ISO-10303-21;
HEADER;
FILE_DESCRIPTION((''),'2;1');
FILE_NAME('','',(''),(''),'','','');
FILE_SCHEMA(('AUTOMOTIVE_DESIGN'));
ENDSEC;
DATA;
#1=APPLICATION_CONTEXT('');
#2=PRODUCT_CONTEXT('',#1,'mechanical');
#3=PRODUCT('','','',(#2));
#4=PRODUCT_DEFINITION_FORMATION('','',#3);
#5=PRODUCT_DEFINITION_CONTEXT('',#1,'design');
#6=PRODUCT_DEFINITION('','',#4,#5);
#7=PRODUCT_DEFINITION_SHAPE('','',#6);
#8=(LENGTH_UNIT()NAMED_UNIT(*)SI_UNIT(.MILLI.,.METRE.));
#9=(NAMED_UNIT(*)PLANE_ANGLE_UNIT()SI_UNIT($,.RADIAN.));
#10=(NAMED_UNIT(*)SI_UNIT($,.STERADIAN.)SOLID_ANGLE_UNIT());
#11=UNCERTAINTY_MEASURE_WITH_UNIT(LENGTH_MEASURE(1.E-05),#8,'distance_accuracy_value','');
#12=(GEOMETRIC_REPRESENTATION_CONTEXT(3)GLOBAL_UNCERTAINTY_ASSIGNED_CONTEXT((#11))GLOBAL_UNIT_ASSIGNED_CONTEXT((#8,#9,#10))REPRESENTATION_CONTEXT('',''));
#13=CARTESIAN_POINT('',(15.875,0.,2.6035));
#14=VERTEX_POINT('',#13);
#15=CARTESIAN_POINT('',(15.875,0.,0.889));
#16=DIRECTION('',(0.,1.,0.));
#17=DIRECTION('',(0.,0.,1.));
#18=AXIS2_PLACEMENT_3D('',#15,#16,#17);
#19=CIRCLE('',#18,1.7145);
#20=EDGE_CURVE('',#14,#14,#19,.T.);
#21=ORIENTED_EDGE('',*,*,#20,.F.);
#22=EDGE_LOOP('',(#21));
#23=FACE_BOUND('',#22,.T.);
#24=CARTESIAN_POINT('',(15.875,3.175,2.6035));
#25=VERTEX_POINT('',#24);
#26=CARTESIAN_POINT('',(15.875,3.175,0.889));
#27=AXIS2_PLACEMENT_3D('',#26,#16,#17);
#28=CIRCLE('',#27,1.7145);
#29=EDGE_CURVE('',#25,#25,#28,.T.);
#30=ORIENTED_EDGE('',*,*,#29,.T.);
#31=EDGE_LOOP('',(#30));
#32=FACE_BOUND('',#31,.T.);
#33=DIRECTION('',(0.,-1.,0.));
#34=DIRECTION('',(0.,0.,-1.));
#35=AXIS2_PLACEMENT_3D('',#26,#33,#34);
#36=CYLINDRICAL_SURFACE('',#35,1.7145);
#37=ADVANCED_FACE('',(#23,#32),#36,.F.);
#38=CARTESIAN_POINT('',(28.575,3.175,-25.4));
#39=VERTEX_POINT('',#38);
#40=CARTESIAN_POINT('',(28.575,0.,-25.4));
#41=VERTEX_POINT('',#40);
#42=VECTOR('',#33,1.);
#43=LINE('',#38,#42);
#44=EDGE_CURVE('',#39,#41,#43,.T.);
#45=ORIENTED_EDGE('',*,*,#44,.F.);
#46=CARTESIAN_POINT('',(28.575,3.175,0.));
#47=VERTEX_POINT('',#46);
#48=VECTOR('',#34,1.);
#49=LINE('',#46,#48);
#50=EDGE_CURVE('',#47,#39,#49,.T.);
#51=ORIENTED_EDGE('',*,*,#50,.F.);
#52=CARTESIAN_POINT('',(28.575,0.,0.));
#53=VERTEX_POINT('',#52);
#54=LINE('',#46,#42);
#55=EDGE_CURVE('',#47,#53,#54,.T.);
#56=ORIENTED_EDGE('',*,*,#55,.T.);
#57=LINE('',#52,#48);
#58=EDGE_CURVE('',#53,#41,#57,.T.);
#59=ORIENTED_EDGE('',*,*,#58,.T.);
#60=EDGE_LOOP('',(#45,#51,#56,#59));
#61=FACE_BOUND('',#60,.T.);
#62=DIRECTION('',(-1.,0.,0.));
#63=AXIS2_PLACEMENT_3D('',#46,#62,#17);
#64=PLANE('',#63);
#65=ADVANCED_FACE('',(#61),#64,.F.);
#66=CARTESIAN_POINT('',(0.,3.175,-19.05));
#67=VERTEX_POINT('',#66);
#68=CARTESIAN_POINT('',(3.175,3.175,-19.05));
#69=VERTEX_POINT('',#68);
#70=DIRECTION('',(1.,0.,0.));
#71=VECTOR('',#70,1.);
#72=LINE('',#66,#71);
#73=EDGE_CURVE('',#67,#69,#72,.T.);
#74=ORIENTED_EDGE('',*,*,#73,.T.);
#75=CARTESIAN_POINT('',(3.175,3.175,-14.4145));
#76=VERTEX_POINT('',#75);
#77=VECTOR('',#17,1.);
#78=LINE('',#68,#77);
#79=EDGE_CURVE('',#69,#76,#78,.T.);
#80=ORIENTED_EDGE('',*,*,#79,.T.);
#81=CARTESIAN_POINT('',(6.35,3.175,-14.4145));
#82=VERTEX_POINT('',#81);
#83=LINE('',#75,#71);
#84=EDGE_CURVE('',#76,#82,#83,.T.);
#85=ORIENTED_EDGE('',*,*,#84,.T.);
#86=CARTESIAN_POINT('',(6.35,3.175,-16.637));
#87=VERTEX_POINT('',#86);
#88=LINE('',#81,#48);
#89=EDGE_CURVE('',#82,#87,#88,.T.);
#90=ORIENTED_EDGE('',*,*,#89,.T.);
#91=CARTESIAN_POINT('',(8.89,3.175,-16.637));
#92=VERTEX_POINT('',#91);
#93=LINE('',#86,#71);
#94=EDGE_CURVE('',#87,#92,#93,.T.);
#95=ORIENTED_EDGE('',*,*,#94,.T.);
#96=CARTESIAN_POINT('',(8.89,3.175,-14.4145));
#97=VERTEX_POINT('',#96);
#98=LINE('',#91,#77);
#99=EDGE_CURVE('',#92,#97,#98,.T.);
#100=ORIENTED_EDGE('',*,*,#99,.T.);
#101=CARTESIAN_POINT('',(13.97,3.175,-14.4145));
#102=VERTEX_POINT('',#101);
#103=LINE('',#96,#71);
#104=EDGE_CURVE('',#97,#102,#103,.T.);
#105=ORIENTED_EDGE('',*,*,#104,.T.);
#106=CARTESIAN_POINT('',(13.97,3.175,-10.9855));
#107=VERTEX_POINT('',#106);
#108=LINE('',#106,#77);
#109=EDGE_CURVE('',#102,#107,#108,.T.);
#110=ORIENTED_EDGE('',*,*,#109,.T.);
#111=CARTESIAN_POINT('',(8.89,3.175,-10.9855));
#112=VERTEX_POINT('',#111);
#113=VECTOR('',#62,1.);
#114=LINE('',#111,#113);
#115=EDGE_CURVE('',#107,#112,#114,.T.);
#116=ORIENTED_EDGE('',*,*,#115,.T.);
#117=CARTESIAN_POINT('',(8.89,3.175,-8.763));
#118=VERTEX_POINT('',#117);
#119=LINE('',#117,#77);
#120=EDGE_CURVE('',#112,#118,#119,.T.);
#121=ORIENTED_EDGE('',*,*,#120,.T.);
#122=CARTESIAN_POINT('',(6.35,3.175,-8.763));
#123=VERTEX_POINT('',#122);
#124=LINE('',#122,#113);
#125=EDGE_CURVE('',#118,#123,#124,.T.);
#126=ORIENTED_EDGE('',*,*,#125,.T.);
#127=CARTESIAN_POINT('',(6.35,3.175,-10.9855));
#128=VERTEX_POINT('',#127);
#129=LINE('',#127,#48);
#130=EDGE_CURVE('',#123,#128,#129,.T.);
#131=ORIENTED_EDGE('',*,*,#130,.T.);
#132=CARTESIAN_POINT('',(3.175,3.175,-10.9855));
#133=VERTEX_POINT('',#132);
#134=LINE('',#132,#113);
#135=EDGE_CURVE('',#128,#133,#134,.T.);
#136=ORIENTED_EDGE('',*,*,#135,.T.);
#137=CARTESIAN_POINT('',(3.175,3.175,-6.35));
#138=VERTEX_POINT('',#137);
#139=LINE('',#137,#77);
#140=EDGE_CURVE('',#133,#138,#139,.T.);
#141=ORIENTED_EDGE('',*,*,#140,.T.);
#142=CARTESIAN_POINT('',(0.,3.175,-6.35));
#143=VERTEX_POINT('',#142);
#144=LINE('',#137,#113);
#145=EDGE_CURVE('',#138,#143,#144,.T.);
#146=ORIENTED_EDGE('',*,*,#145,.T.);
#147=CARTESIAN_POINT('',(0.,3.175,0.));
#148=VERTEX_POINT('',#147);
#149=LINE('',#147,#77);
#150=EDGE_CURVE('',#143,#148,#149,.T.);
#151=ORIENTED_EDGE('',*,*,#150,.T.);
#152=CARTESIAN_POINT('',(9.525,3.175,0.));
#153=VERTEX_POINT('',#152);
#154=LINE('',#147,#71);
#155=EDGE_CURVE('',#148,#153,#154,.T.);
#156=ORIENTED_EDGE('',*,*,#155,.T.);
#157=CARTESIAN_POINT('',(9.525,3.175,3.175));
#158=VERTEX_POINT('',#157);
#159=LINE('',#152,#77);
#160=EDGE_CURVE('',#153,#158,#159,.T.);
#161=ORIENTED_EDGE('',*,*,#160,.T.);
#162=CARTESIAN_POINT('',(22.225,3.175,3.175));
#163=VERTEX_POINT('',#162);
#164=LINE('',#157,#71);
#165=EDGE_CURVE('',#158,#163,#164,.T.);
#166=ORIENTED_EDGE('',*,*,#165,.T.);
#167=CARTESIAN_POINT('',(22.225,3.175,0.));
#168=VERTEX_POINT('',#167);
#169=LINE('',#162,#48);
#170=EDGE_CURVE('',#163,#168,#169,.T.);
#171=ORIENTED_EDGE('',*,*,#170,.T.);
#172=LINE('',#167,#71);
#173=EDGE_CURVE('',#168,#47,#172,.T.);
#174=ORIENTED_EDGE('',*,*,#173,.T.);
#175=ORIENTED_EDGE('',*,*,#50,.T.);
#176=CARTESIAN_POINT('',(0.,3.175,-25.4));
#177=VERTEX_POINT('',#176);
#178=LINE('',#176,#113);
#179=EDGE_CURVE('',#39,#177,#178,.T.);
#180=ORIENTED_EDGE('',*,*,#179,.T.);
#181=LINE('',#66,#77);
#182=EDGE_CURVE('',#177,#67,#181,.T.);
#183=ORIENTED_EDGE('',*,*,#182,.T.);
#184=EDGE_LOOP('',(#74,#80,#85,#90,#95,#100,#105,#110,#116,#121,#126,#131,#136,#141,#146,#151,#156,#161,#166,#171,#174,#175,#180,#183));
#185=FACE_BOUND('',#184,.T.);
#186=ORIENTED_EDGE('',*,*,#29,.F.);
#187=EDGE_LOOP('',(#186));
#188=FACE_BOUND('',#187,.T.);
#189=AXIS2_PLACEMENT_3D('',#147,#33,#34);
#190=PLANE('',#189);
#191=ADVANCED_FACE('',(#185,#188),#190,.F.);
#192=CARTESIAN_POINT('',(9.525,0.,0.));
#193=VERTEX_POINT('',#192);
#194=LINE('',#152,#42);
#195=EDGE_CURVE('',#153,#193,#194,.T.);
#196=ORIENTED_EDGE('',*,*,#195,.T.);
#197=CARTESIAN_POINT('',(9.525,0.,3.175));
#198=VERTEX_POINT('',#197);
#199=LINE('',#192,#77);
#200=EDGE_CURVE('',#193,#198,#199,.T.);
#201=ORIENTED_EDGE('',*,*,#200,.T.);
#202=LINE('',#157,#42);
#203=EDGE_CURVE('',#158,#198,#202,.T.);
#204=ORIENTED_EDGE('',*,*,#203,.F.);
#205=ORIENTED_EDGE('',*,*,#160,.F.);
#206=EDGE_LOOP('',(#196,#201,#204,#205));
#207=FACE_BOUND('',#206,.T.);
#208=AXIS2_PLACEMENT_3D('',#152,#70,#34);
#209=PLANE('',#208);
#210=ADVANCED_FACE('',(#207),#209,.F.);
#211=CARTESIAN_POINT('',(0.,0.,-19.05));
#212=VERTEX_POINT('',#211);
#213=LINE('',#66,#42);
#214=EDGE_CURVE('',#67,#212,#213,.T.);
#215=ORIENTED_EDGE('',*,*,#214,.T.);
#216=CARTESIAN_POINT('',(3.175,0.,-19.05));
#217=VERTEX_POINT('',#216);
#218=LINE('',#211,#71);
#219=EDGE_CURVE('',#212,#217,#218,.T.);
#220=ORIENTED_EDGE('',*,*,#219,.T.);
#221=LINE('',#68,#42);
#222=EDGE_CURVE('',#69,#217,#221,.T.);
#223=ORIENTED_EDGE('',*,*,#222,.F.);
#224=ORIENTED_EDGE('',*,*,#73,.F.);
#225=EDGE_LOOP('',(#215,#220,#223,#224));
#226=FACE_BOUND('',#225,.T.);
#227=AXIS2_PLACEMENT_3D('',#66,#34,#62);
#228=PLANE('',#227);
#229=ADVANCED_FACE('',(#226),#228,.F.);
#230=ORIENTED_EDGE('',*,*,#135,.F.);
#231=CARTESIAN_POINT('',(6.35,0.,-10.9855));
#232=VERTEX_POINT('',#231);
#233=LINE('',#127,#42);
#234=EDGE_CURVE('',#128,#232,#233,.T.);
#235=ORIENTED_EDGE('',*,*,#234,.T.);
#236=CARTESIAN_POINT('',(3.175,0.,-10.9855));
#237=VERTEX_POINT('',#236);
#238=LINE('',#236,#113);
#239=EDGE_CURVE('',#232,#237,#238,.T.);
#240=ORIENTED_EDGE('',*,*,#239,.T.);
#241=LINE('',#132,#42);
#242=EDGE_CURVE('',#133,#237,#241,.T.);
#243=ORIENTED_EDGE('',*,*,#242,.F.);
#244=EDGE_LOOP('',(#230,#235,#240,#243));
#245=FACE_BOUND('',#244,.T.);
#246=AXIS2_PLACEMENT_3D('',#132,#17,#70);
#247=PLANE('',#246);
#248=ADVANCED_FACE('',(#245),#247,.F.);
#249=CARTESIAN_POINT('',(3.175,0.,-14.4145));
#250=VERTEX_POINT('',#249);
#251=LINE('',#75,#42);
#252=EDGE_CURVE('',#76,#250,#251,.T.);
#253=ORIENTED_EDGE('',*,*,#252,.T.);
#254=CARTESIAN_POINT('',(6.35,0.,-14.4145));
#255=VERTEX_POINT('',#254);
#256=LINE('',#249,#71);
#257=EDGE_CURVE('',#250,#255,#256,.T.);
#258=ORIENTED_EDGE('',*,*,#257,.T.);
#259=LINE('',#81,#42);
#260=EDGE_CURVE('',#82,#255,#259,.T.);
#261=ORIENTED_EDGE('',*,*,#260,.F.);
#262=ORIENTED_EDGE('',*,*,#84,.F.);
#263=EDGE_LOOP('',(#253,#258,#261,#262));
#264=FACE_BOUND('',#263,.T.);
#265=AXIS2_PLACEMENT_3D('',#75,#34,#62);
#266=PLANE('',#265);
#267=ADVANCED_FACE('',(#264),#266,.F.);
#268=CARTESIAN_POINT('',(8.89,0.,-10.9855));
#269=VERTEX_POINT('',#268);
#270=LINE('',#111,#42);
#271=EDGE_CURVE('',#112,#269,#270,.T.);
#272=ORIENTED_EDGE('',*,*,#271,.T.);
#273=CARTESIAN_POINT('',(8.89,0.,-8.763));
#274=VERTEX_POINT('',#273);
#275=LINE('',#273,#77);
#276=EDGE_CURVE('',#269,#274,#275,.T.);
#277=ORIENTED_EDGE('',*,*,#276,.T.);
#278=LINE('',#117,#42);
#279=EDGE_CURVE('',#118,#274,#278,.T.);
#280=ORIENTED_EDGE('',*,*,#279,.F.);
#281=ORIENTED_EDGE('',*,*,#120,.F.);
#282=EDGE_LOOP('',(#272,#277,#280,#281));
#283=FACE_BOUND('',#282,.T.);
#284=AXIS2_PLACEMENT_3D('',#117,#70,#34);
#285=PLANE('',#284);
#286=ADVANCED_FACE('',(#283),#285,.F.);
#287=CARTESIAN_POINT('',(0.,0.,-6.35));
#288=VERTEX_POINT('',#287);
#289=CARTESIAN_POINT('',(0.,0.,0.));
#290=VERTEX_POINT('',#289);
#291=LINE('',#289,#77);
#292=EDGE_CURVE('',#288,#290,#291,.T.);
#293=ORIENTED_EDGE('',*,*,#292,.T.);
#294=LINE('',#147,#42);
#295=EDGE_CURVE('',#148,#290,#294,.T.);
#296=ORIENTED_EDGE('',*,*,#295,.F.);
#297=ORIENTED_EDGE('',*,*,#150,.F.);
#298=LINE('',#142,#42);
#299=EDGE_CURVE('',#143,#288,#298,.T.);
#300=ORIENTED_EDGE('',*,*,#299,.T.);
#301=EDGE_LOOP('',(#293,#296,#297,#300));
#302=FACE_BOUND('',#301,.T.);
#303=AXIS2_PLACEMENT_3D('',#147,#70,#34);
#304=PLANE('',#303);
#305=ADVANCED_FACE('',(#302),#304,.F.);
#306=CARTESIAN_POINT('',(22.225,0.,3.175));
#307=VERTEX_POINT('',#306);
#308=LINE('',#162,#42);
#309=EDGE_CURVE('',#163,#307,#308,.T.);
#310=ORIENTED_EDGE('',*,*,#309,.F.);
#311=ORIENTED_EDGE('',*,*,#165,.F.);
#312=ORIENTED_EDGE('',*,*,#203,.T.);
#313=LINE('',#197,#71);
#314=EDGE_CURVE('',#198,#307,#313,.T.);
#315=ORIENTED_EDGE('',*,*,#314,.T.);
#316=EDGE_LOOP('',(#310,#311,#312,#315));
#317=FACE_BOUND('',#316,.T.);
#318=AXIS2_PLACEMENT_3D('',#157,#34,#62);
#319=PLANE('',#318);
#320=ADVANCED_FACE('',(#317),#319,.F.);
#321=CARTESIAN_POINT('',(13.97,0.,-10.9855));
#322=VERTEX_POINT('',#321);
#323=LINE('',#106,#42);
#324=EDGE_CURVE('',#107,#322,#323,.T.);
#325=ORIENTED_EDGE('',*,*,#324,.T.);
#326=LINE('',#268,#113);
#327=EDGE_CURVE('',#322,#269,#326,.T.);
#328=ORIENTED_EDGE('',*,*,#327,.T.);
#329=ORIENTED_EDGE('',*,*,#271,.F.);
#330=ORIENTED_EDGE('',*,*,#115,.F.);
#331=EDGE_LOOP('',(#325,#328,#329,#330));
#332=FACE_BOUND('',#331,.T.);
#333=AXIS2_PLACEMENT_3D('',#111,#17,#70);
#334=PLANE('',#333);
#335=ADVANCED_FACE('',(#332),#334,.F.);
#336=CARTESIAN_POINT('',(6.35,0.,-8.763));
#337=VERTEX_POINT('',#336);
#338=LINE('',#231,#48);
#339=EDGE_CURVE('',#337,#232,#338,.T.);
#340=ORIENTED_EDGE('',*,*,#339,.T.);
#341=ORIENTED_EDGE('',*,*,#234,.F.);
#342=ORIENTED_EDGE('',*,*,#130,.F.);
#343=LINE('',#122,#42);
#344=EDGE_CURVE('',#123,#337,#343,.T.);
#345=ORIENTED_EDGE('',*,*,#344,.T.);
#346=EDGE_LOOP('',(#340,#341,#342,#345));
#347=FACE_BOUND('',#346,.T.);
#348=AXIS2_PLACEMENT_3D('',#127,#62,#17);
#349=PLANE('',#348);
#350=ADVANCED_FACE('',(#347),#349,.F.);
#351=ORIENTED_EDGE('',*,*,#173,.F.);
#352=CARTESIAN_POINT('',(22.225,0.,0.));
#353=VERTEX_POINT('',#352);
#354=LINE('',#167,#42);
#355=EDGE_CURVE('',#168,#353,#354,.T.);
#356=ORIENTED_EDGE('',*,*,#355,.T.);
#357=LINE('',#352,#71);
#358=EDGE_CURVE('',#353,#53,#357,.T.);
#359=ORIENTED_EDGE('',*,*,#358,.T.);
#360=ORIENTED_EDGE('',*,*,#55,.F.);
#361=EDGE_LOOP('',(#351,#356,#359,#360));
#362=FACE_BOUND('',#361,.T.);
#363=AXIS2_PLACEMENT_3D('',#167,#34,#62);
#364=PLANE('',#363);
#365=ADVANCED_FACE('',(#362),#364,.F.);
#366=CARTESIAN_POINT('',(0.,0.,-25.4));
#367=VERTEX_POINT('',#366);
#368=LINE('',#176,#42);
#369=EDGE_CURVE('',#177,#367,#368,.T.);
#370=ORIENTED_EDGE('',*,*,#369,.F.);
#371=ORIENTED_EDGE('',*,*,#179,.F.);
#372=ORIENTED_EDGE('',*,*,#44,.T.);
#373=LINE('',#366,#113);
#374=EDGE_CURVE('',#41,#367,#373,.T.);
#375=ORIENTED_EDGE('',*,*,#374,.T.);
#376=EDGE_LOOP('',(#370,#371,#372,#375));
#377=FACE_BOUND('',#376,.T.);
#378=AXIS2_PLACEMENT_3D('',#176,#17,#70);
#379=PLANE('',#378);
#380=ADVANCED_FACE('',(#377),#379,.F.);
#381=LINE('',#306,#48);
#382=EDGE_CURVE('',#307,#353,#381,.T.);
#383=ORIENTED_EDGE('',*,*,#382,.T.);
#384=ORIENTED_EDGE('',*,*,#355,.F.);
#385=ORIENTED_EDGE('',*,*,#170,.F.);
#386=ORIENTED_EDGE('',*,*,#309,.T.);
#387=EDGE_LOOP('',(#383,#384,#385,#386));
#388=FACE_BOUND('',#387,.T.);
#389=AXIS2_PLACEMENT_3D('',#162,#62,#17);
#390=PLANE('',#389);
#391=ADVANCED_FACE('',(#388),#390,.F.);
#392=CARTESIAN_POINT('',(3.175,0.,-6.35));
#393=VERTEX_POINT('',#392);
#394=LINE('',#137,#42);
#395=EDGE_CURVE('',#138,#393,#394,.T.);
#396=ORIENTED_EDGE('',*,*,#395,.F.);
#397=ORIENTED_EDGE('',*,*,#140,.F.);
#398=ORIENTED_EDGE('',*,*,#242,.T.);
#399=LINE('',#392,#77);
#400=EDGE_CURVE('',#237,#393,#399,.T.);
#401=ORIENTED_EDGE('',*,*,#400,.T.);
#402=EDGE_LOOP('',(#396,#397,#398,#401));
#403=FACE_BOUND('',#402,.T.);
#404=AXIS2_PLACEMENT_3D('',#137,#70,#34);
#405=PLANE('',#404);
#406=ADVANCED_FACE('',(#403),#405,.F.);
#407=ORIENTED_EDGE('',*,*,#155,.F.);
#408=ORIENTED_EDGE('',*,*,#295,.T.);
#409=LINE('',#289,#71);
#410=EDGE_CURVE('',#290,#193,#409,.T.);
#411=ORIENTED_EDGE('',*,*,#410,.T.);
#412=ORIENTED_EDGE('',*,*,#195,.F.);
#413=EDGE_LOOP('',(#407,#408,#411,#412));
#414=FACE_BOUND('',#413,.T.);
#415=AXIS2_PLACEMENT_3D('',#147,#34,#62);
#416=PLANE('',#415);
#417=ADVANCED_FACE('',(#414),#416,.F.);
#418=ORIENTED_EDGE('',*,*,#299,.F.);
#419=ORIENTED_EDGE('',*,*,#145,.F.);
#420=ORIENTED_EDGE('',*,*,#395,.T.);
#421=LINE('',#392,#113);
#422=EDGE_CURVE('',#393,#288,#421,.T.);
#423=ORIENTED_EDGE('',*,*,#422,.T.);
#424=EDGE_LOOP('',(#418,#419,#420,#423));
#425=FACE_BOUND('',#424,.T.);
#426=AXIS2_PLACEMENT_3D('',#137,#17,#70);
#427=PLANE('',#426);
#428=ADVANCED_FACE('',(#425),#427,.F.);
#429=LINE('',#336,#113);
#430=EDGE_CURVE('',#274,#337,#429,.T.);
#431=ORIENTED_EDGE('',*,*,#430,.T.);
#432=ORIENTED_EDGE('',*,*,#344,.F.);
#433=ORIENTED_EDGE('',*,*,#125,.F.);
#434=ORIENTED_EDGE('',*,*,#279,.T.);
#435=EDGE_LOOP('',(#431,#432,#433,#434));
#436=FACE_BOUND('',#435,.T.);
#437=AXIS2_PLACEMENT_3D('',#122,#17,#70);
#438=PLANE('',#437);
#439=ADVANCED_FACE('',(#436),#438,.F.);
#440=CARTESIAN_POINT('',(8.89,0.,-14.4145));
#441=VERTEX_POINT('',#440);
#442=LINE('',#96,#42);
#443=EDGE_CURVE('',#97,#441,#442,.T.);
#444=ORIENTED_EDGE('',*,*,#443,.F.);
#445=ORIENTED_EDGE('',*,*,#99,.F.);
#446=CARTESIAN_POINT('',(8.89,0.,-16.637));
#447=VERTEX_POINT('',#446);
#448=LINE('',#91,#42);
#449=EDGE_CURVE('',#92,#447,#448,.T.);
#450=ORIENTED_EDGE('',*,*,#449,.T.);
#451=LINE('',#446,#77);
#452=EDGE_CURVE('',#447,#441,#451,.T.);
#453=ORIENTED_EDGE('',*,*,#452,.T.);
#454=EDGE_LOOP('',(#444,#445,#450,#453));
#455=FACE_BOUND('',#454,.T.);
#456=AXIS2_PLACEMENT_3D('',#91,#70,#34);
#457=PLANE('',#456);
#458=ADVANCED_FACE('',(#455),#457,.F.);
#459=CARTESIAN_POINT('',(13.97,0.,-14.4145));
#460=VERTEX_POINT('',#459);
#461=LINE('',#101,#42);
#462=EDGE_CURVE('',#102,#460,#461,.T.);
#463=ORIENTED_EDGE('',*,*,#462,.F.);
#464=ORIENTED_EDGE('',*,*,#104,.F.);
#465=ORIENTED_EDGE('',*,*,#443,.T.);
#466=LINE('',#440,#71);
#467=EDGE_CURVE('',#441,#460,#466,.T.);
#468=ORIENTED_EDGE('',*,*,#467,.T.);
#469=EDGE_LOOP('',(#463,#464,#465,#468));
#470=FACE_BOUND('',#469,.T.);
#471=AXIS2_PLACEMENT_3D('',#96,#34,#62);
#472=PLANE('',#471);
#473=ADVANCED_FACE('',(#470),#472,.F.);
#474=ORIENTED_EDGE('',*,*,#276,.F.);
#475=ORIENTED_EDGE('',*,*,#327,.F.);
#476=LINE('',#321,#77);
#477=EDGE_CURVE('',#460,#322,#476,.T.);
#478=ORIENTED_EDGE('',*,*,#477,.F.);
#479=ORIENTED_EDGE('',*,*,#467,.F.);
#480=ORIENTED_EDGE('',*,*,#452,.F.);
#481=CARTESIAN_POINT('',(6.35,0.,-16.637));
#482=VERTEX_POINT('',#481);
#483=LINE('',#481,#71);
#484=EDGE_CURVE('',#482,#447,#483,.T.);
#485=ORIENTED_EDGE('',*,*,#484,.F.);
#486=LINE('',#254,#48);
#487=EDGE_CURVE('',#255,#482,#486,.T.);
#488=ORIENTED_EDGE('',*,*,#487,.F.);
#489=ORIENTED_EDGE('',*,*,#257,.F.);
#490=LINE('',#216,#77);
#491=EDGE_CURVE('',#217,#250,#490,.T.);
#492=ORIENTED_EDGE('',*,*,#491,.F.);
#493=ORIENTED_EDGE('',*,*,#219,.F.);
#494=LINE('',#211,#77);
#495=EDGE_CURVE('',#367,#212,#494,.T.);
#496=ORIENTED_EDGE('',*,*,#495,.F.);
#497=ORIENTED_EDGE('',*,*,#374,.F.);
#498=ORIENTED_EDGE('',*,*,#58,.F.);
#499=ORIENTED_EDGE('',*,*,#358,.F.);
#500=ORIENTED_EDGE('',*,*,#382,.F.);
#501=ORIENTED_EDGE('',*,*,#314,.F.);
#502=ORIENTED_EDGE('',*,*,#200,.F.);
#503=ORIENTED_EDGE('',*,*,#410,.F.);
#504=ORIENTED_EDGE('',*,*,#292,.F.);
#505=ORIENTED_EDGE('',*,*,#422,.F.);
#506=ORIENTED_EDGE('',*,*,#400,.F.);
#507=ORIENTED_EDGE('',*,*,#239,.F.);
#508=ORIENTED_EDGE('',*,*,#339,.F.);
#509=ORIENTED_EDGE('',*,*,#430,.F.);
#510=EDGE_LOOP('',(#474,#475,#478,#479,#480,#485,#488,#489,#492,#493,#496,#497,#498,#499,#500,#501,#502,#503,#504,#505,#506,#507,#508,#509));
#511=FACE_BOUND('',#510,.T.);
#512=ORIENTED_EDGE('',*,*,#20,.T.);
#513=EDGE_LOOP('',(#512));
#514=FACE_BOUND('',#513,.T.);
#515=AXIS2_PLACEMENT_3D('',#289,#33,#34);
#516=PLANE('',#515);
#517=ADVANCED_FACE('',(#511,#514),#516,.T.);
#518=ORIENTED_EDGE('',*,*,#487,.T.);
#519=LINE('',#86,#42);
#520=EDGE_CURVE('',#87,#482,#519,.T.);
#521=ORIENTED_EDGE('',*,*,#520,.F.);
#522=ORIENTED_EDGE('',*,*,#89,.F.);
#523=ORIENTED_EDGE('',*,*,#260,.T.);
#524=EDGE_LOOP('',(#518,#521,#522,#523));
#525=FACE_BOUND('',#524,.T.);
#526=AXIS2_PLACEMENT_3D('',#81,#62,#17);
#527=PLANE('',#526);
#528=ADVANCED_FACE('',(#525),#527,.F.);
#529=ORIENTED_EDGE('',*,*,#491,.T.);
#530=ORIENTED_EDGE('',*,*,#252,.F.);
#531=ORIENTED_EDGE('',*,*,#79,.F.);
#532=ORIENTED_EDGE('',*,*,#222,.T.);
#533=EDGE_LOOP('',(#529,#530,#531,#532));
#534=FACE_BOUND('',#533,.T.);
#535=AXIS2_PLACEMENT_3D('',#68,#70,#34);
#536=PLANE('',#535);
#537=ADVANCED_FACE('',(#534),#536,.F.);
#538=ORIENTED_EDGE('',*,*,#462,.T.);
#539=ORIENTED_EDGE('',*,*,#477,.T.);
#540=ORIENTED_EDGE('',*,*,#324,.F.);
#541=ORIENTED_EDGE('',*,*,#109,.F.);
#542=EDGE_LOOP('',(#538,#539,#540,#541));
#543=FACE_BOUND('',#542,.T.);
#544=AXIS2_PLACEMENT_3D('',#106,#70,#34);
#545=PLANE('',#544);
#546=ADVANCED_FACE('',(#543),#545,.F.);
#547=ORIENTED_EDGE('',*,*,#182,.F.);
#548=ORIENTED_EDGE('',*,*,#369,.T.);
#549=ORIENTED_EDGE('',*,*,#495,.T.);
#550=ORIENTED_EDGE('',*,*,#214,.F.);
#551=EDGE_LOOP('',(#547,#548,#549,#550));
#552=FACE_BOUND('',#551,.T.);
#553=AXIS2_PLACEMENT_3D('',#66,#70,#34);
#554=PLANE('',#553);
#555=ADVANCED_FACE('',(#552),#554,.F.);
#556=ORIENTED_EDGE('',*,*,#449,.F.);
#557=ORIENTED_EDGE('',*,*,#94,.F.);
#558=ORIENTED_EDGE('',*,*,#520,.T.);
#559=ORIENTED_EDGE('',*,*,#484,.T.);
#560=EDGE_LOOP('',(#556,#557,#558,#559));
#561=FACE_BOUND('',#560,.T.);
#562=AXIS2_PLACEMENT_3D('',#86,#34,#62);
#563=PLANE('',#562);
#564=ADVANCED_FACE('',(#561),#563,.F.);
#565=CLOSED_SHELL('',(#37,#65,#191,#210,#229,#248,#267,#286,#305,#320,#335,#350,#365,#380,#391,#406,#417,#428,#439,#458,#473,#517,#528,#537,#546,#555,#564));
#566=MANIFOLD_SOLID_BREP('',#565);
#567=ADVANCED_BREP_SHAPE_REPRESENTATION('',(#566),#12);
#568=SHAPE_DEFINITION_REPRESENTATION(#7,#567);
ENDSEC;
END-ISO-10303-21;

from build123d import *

# Parameters (mm, degrees)
SKETCH1_R           = 1.7145
BOSS_EXTRUDE1_DEPTH = 3.175


with BuildPart() as part:
    # Sketch1 → Boss-Extrude1 (new body)
    with BuildSketch(Plane(origin=(0, 0, 0), x_dir=(1, 0, 0), z_dir=(0, 1, 0))):
        Polygon((0, 19.05), (3.175, 19.05), (3.175, 14.4145), (6.35, 14.4145), (6.35, 16.637), (8.89, 16.637), (8.89, 14.4145), (13.97, 14.4145), (13.97, 10.9855), (8.89, 10.9855), (8.89, 8.763), (6.35, 8.763), (6.35, 10.9855), (3.175, 10.9855), (3.175, 6.35), (0, 6.35), (0, 0), (9.525, 0), (9.525, -3.175), (22.225, -3.175), (22.225, 0), (28.575, 0), (28.575, 25.4), (0, 25.4), align=None)
        with Locations(Location((15.875, -0.889, 0), (0, 0, 270))):
            Circle(SKETCH1_R, mode=Mode.SUBTRACT)
    extrude(amount=BOSS_EXTRUDE1_DEPTH)


solid = part.part
